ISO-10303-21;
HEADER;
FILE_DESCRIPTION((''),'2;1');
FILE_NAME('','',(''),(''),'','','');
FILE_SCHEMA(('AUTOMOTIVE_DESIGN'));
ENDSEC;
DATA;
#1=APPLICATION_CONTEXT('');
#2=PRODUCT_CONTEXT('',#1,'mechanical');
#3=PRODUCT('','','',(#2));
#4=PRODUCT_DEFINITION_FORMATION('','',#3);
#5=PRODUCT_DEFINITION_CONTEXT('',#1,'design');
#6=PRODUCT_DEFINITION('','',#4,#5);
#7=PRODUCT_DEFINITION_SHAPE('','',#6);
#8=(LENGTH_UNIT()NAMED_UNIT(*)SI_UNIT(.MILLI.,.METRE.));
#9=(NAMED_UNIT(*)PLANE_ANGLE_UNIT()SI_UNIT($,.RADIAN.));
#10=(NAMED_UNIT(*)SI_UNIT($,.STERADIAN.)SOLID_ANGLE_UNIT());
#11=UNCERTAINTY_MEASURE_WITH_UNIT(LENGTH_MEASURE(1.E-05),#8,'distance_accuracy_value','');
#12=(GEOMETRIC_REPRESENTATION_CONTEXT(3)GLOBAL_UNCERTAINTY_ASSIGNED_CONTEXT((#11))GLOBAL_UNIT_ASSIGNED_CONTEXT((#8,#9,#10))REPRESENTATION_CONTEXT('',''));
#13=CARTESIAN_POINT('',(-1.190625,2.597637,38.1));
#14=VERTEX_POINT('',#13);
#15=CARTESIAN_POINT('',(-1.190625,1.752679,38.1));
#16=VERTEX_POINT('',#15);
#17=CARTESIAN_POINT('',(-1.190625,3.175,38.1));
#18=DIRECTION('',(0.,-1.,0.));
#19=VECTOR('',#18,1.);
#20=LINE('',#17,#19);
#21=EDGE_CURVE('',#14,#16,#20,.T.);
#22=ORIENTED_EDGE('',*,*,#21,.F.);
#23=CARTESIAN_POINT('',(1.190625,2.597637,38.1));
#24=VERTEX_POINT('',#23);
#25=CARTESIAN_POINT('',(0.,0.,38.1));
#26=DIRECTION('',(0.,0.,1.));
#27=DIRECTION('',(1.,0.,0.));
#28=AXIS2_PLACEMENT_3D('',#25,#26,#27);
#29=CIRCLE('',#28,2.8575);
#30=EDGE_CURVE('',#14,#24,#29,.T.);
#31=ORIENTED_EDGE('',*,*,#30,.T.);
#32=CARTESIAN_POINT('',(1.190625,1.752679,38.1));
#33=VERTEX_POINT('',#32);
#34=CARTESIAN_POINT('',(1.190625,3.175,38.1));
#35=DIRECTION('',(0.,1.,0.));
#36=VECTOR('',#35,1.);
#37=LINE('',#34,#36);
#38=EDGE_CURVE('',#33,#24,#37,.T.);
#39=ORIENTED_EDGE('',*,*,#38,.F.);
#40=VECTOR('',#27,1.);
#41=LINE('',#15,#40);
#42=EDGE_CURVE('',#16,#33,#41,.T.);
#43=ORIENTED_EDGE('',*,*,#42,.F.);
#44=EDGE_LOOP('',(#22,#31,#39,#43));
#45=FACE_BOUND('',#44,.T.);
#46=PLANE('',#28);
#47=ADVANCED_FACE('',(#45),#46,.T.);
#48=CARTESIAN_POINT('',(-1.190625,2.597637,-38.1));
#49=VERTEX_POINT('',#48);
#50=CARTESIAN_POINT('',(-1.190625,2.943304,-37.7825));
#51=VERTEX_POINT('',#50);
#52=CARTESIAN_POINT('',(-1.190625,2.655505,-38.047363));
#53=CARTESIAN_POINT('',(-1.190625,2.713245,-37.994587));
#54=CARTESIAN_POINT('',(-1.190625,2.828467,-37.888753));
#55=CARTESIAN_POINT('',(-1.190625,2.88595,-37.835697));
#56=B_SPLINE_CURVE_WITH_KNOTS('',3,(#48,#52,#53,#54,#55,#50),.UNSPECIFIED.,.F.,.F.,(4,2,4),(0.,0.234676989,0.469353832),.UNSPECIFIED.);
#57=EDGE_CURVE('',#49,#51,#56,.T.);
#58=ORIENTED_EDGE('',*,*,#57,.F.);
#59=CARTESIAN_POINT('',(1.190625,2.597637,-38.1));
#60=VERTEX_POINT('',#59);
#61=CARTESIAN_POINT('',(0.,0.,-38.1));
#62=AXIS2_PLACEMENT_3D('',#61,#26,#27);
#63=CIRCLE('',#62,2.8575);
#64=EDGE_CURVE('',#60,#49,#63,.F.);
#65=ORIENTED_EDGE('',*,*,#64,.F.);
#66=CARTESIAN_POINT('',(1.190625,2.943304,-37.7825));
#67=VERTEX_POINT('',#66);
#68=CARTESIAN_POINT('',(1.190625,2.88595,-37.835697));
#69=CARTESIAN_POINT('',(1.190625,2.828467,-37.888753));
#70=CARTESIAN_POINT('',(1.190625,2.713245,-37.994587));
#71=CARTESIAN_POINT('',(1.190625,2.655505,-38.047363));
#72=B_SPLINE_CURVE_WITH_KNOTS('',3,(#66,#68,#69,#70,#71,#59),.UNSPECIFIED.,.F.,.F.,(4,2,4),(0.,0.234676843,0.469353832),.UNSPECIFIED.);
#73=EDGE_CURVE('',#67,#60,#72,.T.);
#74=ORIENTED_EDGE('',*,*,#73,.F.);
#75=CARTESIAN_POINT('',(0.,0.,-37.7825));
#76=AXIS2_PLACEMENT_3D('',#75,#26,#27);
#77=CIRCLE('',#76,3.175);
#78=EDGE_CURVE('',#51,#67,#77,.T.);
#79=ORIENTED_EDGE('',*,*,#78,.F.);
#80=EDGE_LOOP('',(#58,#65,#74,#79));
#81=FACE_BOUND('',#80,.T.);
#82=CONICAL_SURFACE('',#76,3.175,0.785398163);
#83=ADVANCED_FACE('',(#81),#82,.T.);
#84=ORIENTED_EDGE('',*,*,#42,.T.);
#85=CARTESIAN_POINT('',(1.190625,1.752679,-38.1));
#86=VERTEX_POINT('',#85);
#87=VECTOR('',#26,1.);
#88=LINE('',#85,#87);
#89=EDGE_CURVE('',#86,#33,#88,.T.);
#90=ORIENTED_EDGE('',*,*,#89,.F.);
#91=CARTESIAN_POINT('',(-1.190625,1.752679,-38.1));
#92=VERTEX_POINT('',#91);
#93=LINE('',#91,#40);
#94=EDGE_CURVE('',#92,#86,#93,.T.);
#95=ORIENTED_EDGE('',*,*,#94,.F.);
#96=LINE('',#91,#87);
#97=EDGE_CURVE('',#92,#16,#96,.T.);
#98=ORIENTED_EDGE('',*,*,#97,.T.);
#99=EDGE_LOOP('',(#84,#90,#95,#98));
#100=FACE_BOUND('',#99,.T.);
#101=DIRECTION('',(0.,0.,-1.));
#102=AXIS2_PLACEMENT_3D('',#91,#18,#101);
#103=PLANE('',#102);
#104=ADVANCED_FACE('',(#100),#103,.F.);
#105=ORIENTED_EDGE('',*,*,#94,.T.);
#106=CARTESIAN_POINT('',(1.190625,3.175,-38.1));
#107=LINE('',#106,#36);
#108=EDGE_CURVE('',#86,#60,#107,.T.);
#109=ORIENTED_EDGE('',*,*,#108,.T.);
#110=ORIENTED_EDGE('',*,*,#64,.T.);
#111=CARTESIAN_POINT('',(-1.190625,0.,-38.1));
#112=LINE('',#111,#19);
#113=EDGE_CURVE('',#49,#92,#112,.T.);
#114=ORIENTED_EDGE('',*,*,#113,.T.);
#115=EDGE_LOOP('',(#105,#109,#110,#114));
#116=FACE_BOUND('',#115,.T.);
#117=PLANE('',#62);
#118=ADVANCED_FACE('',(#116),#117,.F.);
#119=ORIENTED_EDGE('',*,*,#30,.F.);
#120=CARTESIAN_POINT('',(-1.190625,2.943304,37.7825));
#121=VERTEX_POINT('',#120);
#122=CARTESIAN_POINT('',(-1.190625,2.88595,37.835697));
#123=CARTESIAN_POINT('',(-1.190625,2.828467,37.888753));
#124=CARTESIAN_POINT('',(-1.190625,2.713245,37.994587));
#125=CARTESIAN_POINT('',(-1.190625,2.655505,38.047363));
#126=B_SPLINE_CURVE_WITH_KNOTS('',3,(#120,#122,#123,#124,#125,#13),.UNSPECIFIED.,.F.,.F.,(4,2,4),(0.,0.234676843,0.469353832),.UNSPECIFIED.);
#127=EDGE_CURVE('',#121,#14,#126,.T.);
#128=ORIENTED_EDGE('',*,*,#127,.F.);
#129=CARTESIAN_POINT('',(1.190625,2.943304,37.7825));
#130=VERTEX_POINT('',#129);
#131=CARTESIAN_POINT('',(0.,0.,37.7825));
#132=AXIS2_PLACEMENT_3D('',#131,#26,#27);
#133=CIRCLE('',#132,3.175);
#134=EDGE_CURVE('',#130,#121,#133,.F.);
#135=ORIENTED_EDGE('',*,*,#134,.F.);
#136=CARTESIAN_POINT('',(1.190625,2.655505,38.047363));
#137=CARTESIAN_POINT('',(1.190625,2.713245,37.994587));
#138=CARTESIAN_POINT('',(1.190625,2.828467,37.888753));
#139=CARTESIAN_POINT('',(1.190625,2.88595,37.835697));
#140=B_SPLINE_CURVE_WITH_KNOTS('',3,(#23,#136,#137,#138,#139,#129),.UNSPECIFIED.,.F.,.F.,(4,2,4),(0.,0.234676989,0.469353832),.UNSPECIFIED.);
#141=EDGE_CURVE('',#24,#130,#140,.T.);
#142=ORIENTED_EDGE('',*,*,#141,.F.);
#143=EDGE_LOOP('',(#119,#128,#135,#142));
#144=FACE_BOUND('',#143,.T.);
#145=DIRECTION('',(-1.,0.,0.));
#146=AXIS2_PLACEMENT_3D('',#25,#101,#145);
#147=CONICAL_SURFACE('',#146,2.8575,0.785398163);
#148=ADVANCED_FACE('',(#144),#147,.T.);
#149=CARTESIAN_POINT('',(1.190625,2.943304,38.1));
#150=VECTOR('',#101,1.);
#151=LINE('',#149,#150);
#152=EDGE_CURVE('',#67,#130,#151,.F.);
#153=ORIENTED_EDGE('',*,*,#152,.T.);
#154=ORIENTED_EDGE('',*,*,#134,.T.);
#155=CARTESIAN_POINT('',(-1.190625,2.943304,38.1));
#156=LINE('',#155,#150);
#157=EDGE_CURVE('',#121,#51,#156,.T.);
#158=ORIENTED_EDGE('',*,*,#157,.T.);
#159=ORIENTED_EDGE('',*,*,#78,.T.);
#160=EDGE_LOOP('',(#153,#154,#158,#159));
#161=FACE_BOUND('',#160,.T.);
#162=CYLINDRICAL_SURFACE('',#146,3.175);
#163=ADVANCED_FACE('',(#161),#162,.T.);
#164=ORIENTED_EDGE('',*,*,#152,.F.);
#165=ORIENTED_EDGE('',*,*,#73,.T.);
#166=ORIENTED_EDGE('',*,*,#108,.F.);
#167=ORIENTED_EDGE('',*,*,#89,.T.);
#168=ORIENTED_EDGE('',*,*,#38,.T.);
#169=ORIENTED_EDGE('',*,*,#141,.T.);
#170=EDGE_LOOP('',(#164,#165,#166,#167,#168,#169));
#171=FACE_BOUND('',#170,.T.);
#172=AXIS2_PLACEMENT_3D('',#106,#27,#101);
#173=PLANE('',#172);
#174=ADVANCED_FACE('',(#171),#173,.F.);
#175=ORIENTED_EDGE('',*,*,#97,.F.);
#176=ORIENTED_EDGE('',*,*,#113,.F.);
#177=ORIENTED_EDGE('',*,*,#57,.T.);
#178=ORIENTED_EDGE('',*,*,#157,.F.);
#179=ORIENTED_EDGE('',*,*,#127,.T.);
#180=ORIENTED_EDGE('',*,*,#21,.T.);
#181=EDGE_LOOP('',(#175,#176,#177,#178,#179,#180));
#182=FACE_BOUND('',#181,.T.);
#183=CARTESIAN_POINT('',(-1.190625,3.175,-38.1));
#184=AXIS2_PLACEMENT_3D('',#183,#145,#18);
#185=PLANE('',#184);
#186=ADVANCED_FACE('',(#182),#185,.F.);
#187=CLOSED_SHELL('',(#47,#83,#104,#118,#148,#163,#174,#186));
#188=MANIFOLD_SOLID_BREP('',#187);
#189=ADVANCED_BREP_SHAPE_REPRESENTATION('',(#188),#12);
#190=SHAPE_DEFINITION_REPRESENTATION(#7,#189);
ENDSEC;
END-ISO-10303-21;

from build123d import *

# Parameters (mm, degrees)
BOSS_EXTRUDE2_DEPTH      = 38.1
BOSS_EXTRUDE2_DEPTH_BACK = 38.1
SKETCH3_R                = 3.175
CUT_EXTRUDE5_DEPTH       = 39.363670966
CUT_EXTRUDE5_DEPTH_BACK  = 39.363670966
SKETCH10_W               = 2.38125
SKETCH10_H               = 1.422321225
CHAMFER1_SIZE            = 0.3175


with BuildPart() as part:
    # Sketch3 → Boss-Extrude2 (new, two sides: drawn at the far end of the back side and taken through both)
    with BuildSketch(Plane.XY.offset(-BOSS_EXTRUDE2_DEPTH_BACK)):
        with Locations(Location((0, 0, 0), (0, 0, 180))):
            Circle(SKETCH3_R)
    extrude(amount=BOSS_EXTRUDE2_DEPTH + BOSS_EXTRUDE2_DEPTH_BACK)

    # Sketch10 → Cut-Extrude5 (cut, two sides: drawn at the far end of the back side and taken through both)
    with BuildSketch(Plane.XY.offset(-CUT_EXTRUDE5_DEPTH_BACK)):
        with Locations((0, 2.463839388)):
            Rectangle(SKETCH10_W, SKETCH10_H)
    extrude(amount=CUT_EXTRUDE5_DEPTH + CUT_EXTRUDE5_DEPTH_BACK, mode=Mode.SUBTRACT)

    # Chamfer1
    chamfer1_edges = [part.edges().sort_by_distance(p)[0] for p in [
        (0, -3.175, 38.1),
        (0, -3.175, -38.1),
    ]]
    chamfer(chamfer1_edges, length=CHAMFER1_SIZE)


solid = part.part
